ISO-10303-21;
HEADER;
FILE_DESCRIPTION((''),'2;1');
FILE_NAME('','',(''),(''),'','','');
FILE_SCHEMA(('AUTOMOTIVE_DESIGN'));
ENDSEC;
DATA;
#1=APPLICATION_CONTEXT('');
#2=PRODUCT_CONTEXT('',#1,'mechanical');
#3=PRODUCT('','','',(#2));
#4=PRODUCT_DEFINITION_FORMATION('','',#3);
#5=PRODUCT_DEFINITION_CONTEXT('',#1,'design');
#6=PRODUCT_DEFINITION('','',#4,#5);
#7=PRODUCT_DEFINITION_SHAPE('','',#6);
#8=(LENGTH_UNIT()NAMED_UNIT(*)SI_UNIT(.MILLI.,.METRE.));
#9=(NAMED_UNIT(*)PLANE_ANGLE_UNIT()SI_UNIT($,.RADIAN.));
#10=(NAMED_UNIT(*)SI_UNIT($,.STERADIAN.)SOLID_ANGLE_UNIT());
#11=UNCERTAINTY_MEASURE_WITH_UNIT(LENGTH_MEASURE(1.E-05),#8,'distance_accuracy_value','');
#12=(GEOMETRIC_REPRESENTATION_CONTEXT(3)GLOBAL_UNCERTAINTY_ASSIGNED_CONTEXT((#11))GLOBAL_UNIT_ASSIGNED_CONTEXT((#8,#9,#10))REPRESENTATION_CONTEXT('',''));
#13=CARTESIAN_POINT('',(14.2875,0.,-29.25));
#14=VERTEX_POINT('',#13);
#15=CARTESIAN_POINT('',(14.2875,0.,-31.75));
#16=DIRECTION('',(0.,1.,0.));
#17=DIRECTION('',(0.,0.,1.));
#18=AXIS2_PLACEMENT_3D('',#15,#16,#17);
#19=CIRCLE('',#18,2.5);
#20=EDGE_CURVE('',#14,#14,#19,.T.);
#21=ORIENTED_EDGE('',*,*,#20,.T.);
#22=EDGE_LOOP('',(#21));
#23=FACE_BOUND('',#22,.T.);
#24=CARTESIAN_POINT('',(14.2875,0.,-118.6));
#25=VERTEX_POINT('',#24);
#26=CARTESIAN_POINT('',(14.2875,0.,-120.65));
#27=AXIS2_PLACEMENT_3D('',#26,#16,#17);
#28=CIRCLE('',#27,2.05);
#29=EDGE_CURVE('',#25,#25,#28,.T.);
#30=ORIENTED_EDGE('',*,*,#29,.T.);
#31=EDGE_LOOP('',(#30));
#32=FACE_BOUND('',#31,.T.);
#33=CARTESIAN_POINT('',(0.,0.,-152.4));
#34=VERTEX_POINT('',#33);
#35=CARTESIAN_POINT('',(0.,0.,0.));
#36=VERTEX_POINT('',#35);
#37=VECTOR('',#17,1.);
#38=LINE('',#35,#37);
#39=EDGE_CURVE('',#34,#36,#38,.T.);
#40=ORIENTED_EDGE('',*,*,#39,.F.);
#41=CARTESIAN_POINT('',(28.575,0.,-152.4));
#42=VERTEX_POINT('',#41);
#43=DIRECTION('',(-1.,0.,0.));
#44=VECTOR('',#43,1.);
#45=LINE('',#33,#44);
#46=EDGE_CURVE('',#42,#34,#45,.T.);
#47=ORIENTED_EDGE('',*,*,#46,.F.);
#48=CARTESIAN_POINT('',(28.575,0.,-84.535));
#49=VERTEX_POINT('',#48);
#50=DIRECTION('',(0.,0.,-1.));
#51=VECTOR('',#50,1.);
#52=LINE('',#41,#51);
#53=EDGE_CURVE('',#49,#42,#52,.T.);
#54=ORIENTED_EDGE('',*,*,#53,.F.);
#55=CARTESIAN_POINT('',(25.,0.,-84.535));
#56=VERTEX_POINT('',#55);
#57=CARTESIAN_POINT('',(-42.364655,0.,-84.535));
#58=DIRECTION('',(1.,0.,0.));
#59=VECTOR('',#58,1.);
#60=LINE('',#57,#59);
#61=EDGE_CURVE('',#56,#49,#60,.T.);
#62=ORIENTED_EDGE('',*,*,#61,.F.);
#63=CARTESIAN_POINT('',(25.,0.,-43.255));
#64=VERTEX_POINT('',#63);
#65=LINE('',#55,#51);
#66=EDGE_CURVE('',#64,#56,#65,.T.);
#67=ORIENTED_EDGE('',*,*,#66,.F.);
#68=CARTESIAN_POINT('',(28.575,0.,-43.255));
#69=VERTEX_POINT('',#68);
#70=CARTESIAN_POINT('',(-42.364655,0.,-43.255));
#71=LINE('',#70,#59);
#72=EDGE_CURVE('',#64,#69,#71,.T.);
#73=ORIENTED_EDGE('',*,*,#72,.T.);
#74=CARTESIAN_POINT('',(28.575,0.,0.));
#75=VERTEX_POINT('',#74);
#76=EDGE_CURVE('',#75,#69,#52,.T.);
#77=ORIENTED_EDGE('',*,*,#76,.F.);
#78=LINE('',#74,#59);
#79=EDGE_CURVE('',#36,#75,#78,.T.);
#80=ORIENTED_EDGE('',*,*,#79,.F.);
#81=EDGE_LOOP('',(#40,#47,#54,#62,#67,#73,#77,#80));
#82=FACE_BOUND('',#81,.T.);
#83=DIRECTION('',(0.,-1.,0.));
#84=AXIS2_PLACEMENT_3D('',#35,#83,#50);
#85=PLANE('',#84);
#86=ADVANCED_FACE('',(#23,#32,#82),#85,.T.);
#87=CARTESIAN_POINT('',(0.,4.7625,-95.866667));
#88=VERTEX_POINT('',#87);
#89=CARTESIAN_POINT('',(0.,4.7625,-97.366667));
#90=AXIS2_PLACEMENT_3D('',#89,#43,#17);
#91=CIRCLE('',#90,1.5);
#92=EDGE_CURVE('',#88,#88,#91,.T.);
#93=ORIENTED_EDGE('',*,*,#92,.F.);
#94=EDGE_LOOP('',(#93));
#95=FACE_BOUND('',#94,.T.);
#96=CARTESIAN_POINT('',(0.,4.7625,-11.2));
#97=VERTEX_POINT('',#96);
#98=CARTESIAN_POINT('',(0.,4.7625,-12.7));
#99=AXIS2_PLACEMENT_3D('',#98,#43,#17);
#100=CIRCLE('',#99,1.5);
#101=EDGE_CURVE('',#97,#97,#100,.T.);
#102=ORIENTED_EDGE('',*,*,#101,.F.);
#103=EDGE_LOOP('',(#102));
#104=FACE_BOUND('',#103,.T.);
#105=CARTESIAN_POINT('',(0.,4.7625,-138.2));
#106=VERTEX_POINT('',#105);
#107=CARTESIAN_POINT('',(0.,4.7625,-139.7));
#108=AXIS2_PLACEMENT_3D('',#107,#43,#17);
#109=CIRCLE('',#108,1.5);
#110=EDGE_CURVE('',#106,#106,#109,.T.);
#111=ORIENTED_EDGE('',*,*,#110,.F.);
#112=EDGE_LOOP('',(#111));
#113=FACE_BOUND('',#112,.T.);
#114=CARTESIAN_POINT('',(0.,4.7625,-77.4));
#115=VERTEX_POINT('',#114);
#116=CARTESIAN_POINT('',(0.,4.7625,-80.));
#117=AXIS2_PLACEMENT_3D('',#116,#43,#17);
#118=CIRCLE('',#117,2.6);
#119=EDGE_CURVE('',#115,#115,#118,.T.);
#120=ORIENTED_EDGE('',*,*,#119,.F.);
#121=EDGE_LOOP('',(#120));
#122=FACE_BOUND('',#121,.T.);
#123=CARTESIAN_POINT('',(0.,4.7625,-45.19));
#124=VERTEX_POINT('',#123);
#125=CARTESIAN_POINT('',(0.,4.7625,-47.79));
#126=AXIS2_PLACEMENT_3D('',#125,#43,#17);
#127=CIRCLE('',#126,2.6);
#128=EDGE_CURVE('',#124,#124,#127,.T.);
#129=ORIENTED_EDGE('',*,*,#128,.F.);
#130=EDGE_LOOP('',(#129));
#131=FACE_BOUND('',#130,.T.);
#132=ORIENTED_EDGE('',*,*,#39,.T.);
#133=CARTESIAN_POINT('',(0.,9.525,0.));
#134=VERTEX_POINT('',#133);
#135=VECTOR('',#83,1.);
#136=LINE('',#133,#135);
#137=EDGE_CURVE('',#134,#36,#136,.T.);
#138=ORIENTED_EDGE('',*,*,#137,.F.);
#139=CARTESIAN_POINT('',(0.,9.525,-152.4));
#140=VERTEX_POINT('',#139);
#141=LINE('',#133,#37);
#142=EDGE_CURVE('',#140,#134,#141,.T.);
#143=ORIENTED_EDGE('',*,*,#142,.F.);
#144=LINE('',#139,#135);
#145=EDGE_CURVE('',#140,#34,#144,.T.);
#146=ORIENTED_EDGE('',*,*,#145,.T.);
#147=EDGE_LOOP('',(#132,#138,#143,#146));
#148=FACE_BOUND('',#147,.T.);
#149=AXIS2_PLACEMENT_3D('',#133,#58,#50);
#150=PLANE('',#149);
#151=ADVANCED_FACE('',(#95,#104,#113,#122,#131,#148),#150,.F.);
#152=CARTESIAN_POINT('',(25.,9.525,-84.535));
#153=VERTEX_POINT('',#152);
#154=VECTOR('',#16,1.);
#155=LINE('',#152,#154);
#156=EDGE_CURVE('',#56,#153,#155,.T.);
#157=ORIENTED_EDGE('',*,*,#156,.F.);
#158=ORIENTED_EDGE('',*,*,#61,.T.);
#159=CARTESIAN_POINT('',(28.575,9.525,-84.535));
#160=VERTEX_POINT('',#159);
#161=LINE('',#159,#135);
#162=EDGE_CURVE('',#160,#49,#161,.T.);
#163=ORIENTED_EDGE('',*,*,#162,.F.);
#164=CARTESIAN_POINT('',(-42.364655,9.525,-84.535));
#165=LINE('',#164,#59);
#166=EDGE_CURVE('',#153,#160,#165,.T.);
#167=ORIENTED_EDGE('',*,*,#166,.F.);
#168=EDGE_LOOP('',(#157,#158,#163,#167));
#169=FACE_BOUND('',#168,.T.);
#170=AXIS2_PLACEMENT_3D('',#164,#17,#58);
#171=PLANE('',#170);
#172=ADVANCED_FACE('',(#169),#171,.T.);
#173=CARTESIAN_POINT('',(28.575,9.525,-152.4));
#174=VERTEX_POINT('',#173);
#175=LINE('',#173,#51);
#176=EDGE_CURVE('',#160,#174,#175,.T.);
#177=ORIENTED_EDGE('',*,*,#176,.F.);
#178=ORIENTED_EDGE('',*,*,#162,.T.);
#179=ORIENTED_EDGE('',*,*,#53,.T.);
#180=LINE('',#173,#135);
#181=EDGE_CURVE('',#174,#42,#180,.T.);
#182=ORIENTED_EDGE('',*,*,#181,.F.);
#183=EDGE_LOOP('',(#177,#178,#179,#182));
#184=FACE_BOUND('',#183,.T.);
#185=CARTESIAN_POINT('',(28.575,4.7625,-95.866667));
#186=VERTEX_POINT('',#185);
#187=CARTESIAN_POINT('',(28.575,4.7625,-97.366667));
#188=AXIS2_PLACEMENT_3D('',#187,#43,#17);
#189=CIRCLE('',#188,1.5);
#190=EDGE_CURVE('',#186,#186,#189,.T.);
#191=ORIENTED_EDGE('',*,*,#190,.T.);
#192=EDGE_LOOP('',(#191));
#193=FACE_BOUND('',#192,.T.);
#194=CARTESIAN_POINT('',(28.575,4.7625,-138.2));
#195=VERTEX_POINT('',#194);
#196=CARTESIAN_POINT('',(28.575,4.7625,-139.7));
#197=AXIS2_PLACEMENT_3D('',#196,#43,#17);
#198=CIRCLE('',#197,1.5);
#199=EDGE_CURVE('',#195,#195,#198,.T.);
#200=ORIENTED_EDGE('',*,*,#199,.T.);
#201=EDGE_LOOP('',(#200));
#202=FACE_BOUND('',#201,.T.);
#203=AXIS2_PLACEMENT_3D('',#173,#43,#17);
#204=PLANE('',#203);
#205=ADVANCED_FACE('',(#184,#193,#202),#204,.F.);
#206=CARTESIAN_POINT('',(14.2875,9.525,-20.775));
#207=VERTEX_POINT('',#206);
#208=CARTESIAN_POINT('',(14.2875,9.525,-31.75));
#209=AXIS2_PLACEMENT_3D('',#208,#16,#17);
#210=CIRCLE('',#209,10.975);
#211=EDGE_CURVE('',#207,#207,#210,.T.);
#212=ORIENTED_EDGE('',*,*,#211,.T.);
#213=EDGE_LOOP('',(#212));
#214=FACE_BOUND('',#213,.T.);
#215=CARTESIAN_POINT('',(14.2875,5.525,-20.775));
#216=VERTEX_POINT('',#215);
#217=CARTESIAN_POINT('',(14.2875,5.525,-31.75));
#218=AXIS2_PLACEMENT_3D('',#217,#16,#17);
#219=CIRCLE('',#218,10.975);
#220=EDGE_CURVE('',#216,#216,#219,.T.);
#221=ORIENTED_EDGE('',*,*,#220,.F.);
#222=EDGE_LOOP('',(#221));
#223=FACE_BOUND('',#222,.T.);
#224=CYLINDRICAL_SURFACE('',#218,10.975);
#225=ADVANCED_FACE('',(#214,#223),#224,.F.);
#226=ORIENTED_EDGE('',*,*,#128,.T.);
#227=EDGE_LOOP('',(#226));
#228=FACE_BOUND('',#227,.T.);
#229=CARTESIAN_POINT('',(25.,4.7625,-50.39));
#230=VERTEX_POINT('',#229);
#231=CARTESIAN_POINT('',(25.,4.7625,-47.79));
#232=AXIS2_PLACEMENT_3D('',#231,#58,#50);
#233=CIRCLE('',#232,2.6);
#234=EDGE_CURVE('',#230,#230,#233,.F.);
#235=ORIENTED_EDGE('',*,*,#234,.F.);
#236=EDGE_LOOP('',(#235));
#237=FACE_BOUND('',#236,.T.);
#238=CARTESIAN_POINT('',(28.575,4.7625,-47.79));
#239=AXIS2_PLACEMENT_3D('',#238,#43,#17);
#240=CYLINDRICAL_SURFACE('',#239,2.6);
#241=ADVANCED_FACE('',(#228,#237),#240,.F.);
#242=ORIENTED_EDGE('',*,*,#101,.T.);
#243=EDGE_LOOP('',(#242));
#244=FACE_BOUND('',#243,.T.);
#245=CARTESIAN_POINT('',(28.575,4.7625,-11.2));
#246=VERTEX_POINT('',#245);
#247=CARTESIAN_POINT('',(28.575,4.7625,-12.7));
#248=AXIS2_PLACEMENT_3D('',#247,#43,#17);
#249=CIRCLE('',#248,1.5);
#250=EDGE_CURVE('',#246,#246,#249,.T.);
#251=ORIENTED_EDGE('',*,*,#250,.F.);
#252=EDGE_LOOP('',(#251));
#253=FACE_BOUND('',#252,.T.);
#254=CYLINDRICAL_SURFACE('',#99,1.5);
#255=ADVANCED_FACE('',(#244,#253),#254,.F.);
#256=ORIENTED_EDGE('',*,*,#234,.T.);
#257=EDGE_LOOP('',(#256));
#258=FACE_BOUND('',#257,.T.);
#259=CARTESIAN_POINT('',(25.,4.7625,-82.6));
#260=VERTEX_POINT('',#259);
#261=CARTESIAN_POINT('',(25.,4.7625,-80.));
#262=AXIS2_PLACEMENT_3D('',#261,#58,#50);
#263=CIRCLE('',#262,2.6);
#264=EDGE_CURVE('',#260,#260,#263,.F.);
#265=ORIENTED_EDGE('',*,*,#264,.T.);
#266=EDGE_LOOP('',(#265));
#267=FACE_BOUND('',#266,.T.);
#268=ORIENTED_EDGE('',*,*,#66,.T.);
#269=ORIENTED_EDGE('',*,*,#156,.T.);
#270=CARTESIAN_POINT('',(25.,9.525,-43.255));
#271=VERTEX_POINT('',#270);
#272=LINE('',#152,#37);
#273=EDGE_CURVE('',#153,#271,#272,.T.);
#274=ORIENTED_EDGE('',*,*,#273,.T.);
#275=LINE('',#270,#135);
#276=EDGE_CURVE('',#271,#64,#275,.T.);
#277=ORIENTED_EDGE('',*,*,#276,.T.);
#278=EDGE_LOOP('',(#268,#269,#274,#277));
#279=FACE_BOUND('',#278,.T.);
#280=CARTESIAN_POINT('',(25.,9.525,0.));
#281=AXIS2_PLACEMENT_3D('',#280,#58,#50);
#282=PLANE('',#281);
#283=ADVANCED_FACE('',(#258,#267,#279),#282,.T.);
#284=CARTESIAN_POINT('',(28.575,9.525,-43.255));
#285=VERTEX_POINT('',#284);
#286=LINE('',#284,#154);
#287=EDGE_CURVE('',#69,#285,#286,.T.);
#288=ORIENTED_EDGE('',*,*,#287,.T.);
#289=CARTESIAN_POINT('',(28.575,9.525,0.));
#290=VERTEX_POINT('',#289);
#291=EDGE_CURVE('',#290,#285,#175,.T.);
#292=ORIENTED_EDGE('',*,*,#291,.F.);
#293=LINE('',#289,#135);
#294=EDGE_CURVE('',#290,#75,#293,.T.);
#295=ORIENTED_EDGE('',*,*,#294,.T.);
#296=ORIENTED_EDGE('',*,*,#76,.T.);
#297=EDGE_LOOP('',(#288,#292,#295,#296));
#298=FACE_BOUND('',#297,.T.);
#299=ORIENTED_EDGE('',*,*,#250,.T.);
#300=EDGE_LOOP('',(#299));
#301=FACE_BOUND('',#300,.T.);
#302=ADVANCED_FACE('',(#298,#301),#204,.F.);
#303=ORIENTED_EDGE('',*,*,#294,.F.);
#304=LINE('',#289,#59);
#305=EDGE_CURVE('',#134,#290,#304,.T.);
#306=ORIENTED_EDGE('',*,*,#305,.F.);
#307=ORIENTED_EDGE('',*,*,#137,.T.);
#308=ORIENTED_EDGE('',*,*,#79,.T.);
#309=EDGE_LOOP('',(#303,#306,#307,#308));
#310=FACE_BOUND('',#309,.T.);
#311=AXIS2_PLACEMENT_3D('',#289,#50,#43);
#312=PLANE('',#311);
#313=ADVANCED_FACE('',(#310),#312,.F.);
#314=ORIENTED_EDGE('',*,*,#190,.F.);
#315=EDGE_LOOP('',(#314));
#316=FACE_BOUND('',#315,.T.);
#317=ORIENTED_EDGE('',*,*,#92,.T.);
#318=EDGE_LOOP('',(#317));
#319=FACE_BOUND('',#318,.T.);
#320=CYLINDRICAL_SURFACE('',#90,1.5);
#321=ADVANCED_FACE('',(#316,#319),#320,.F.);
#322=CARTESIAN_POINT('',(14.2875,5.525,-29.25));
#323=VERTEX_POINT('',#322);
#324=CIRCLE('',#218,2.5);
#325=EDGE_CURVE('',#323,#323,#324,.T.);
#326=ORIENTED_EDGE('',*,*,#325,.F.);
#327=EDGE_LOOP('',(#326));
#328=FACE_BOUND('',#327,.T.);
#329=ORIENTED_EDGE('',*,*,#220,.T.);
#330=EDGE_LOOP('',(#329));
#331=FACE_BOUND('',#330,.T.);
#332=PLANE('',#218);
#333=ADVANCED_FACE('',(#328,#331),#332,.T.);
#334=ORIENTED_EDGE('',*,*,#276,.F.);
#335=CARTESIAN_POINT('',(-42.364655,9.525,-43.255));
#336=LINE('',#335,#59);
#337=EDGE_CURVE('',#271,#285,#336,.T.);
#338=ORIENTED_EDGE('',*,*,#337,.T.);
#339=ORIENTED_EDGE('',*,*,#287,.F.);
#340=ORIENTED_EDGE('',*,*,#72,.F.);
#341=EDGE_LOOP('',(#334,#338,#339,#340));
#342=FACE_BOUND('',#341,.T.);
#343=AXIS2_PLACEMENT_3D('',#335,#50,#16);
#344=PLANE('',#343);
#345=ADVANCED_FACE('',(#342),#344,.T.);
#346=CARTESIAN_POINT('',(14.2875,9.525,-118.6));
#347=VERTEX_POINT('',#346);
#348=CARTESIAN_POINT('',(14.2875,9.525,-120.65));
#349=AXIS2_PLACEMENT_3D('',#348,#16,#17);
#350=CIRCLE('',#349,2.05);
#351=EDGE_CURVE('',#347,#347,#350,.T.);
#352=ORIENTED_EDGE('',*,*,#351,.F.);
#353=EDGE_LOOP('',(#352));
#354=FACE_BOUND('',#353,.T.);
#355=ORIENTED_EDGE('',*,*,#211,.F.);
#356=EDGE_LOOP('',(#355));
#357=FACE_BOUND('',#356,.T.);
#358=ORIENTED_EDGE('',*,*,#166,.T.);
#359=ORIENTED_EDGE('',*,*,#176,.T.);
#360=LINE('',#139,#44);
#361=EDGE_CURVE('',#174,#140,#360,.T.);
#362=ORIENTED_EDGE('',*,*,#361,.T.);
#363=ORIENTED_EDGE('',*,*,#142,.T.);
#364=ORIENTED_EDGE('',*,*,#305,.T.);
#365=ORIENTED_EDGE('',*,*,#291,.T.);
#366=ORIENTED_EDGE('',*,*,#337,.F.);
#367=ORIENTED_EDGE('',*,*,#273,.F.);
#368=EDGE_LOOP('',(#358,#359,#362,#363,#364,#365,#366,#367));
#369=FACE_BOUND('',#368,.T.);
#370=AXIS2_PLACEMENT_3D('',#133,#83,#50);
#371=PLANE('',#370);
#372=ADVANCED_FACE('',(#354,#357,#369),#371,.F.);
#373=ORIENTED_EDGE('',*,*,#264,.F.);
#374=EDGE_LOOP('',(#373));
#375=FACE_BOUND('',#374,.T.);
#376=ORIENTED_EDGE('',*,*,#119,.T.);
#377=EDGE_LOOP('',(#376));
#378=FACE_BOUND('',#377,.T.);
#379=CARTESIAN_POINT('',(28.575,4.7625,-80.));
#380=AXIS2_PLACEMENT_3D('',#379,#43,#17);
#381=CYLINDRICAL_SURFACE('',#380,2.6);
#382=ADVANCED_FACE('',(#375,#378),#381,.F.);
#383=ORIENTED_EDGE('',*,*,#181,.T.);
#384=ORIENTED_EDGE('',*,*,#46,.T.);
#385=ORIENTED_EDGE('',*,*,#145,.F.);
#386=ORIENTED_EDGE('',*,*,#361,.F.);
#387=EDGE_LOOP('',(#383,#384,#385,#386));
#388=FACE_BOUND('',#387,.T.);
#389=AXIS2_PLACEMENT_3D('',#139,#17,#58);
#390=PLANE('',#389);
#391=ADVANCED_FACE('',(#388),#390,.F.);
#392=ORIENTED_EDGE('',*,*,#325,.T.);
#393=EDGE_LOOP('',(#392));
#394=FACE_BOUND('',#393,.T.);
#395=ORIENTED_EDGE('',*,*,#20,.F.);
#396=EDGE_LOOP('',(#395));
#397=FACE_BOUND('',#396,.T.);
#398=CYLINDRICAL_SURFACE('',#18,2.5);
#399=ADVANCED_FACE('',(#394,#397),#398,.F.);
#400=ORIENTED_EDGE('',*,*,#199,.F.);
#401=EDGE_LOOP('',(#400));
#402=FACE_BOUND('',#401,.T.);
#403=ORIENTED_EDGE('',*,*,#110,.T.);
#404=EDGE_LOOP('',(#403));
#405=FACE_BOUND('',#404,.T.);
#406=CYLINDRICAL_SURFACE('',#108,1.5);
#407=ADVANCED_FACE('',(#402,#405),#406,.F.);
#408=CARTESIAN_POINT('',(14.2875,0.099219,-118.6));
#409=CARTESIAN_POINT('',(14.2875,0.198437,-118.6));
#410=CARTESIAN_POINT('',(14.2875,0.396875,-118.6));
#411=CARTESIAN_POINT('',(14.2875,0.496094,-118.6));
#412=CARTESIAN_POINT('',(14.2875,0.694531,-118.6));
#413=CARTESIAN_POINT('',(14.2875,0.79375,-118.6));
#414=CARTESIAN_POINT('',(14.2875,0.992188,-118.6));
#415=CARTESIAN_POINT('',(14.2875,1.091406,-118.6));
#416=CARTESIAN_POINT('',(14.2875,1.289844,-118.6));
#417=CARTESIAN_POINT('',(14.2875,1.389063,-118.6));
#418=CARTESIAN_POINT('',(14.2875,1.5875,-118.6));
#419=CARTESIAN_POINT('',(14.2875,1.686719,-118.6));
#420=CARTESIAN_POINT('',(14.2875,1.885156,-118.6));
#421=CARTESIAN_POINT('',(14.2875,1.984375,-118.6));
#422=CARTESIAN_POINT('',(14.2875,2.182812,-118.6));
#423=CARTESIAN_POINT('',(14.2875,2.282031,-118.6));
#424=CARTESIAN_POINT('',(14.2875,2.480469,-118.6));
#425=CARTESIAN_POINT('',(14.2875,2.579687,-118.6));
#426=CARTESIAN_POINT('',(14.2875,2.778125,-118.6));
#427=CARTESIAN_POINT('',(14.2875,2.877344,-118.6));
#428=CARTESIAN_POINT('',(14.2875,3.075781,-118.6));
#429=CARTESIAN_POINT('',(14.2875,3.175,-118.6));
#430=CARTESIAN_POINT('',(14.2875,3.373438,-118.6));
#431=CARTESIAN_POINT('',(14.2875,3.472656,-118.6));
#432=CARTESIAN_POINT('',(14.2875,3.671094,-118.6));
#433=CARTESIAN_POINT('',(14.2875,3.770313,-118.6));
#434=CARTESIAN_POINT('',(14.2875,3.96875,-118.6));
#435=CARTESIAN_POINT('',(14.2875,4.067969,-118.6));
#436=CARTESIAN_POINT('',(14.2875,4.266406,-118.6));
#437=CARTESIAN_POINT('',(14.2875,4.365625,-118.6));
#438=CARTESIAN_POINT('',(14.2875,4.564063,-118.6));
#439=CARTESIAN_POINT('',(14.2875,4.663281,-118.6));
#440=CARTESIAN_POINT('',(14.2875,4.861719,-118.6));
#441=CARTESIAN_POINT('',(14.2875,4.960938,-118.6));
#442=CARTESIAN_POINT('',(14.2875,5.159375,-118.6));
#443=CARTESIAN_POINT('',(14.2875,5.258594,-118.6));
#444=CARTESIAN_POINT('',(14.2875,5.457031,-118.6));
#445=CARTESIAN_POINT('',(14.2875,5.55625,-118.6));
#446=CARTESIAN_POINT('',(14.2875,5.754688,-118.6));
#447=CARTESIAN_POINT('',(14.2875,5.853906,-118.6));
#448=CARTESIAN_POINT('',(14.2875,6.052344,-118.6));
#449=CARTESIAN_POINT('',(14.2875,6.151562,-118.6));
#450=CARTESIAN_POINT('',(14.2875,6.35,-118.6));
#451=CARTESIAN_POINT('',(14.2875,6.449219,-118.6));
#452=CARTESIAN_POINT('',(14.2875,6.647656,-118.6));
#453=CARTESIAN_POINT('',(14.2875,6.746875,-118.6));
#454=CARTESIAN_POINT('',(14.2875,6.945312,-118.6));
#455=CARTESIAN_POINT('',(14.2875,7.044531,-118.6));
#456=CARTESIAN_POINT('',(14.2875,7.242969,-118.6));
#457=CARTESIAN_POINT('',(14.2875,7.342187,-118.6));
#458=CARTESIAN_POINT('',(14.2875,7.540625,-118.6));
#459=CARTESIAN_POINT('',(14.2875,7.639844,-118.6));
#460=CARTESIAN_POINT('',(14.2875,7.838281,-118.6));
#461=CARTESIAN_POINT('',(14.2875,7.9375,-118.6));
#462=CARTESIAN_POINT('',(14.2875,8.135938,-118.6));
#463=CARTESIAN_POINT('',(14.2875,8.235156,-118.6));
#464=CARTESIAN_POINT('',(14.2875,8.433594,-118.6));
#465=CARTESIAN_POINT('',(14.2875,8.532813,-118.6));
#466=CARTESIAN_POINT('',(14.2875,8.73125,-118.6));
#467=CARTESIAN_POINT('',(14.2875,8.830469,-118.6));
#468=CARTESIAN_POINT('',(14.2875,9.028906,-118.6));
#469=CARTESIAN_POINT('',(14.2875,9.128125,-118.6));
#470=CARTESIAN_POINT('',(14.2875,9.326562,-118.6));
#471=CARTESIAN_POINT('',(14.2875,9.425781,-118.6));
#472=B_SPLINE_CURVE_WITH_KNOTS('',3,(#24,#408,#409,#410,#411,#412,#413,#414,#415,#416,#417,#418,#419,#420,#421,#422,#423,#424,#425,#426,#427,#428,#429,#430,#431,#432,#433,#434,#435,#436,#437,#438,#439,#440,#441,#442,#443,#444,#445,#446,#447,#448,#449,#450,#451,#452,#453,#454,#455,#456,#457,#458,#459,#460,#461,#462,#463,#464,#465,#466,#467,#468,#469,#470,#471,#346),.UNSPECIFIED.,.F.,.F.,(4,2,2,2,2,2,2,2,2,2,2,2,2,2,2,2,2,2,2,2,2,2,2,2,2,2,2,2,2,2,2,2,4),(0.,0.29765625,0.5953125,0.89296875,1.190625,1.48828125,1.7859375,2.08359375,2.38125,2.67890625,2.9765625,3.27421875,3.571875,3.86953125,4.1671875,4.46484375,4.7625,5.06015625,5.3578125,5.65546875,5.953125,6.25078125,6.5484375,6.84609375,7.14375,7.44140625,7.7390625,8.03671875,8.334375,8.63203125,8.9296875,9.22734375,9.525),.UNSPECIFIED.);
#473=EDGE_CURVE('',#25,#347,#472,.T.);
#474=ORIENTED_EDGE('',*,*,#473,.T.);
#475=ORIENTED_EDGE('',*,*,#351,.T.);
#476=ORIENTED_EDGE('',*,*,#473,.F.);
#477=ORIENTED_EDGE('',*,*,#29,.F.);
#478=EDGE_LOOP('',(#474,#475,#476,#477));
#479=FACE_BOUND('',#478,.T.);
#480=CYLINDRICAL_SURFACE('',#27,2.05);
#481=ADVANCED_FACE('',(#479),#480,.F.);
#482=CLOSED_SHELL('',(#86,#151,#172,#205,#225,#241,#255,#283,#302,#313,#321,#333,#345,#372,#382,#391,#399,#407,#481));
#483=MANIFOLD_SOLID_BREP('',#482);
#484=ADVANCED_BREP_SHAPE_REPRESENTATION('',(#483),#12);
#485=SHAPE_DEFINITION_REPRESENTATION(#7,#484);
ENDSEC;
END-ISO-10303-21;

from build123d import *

# Parameters (mm, degrees)
SKETCH2_W             = 28.575
SKETCH2_H             = 152.4
BOSS_EXTRUDE1_DEPTH   = 9.525
F_3_0MM_DOWEL_HOLE1_D = 3
LPATTERN1_COUNT       = 4
LPATTERN1_PITCH       = 42.333333333
SKETCH12_R            = 2.05
CUT_EXTRUDE1_DEPTH    = 156.348048749
SKETCH12_4_R          = 10.975
CUT_EXTRUDE2_DEPTH    = 4
SKETCH15_R            = 2.5
CUT_EXTRUDE3_DEPTH    = 156.154169296
SKETCH13_R            = 2.6
CUT_EXTRUDE4_DEPTH    = 156.348048749
SKETCH17_W            = 41.28
SKETCH17_H            = 9.525
CUT_EXTRUDE5_DEPTH    = 3.575


with BuildPart() as part:
    # Sketch2 → Boss-Extrude1 (new body)
    with BuildSketch(Plane(origin=(0, 0, 0), x_dir=(1, 0, 0), z_dir=(0, 1, 0))):
        with Locations((14.2875, 76.2)):
            Rectangle(SKETCH2_W, SKETCH2_H)
    extrude(amount=BOSS_EXTRUDE1_DEPTH)

    # Ø3.0mm Dowel Hole1 (through all)
    with Locations(Plane.ZY):
        with Locations((-139.7, 4.7625)):
            f_3_0mm_dowel_hole1 = Hole(F_3_0MM_DOWEL_HOLE1_D / 2)

    # LPattern1: Ø3.0mm Dowel Hole1 ×4, 1 skipped
    with Locations(*[(0, 0, i * LPATTERN1_PITCH) for i in range(1, LPATTERN1_COUNT) if i not in (2,)]):
        add(f_3_0mm_dowel_hole1, mode=Mode.SUBTRACT)

    # Sketch12 → Cut-Extrude1 (cut, through all)
    with BuildSketch(Plane(origin=(0, 9.525, 0), x_dir=(1, 0, 0), z_dir=(0, 1, 0))):
        with Locations(Location((14.2875, 120.65, 0), (0, 0, 270))):
            Circle(SKETCH12_R)
    extrude(amount=-CUT_EXTRUDE1_DEPTH, mode=Mode.SUBTRACT)

    # Sketch12<4> → Cut-Extrude2 (cut)
    with BuildSketch(Plane(origin=(0, 9.525, 0), x_dir=(1, 0, 0), z_dir=(0, 1, 0))):
        with Locations(Location((14.2875, 31.75, 0), (0, 0, 270))):
            Circle(SKETCH12_4_R)
    extrude(amount=-CUT_EXTRUDE2_DEPTH, mode=Mode.SUBTRACT)

    # Sketch15 → Cut-Extrude3 (cut, through all)
    with BuildSketch(Plane(origin=(0, 5.525, 0), x_dir=(1, 0, 0), z_dir=(0, 1, 0))):
        with Locations(Location((14.2875, 31.75, 0), (0, 0, 270))):
            Circle(SKETCH15_R)
    extrude(amount=-CUT_EXTRUDE3_DEPTH, mode=Mode.SUBTRACT)

    # Sketch13 → Cut-Extrude4 (cut, through all)
    with BuildSketch(Plane.ZY):
        with Locations((-80, 4.7625)):
            Circle(SKETCH13_R)
        with Locations((-47.79, 4.7625)):
            Circle(SKETCH13_R)
    extrude(amount=-CUT_EXTRUDE4_DEPTH, mode=Mode.SUBTRACT)

    # Sketch17 → Cut-Extrude5 (cut)
    with BuildSketch(Plane.ZY.offset(-28.575)):
        with Locations((-63.895, 4.7625)):
            Rectangle(SKETCH17_W, SKETCH17_H)
    extrude(amount=CUT_EXTRUDE5_DEPTH, mode=Mode.SUBTRACT)


solid = part.part
